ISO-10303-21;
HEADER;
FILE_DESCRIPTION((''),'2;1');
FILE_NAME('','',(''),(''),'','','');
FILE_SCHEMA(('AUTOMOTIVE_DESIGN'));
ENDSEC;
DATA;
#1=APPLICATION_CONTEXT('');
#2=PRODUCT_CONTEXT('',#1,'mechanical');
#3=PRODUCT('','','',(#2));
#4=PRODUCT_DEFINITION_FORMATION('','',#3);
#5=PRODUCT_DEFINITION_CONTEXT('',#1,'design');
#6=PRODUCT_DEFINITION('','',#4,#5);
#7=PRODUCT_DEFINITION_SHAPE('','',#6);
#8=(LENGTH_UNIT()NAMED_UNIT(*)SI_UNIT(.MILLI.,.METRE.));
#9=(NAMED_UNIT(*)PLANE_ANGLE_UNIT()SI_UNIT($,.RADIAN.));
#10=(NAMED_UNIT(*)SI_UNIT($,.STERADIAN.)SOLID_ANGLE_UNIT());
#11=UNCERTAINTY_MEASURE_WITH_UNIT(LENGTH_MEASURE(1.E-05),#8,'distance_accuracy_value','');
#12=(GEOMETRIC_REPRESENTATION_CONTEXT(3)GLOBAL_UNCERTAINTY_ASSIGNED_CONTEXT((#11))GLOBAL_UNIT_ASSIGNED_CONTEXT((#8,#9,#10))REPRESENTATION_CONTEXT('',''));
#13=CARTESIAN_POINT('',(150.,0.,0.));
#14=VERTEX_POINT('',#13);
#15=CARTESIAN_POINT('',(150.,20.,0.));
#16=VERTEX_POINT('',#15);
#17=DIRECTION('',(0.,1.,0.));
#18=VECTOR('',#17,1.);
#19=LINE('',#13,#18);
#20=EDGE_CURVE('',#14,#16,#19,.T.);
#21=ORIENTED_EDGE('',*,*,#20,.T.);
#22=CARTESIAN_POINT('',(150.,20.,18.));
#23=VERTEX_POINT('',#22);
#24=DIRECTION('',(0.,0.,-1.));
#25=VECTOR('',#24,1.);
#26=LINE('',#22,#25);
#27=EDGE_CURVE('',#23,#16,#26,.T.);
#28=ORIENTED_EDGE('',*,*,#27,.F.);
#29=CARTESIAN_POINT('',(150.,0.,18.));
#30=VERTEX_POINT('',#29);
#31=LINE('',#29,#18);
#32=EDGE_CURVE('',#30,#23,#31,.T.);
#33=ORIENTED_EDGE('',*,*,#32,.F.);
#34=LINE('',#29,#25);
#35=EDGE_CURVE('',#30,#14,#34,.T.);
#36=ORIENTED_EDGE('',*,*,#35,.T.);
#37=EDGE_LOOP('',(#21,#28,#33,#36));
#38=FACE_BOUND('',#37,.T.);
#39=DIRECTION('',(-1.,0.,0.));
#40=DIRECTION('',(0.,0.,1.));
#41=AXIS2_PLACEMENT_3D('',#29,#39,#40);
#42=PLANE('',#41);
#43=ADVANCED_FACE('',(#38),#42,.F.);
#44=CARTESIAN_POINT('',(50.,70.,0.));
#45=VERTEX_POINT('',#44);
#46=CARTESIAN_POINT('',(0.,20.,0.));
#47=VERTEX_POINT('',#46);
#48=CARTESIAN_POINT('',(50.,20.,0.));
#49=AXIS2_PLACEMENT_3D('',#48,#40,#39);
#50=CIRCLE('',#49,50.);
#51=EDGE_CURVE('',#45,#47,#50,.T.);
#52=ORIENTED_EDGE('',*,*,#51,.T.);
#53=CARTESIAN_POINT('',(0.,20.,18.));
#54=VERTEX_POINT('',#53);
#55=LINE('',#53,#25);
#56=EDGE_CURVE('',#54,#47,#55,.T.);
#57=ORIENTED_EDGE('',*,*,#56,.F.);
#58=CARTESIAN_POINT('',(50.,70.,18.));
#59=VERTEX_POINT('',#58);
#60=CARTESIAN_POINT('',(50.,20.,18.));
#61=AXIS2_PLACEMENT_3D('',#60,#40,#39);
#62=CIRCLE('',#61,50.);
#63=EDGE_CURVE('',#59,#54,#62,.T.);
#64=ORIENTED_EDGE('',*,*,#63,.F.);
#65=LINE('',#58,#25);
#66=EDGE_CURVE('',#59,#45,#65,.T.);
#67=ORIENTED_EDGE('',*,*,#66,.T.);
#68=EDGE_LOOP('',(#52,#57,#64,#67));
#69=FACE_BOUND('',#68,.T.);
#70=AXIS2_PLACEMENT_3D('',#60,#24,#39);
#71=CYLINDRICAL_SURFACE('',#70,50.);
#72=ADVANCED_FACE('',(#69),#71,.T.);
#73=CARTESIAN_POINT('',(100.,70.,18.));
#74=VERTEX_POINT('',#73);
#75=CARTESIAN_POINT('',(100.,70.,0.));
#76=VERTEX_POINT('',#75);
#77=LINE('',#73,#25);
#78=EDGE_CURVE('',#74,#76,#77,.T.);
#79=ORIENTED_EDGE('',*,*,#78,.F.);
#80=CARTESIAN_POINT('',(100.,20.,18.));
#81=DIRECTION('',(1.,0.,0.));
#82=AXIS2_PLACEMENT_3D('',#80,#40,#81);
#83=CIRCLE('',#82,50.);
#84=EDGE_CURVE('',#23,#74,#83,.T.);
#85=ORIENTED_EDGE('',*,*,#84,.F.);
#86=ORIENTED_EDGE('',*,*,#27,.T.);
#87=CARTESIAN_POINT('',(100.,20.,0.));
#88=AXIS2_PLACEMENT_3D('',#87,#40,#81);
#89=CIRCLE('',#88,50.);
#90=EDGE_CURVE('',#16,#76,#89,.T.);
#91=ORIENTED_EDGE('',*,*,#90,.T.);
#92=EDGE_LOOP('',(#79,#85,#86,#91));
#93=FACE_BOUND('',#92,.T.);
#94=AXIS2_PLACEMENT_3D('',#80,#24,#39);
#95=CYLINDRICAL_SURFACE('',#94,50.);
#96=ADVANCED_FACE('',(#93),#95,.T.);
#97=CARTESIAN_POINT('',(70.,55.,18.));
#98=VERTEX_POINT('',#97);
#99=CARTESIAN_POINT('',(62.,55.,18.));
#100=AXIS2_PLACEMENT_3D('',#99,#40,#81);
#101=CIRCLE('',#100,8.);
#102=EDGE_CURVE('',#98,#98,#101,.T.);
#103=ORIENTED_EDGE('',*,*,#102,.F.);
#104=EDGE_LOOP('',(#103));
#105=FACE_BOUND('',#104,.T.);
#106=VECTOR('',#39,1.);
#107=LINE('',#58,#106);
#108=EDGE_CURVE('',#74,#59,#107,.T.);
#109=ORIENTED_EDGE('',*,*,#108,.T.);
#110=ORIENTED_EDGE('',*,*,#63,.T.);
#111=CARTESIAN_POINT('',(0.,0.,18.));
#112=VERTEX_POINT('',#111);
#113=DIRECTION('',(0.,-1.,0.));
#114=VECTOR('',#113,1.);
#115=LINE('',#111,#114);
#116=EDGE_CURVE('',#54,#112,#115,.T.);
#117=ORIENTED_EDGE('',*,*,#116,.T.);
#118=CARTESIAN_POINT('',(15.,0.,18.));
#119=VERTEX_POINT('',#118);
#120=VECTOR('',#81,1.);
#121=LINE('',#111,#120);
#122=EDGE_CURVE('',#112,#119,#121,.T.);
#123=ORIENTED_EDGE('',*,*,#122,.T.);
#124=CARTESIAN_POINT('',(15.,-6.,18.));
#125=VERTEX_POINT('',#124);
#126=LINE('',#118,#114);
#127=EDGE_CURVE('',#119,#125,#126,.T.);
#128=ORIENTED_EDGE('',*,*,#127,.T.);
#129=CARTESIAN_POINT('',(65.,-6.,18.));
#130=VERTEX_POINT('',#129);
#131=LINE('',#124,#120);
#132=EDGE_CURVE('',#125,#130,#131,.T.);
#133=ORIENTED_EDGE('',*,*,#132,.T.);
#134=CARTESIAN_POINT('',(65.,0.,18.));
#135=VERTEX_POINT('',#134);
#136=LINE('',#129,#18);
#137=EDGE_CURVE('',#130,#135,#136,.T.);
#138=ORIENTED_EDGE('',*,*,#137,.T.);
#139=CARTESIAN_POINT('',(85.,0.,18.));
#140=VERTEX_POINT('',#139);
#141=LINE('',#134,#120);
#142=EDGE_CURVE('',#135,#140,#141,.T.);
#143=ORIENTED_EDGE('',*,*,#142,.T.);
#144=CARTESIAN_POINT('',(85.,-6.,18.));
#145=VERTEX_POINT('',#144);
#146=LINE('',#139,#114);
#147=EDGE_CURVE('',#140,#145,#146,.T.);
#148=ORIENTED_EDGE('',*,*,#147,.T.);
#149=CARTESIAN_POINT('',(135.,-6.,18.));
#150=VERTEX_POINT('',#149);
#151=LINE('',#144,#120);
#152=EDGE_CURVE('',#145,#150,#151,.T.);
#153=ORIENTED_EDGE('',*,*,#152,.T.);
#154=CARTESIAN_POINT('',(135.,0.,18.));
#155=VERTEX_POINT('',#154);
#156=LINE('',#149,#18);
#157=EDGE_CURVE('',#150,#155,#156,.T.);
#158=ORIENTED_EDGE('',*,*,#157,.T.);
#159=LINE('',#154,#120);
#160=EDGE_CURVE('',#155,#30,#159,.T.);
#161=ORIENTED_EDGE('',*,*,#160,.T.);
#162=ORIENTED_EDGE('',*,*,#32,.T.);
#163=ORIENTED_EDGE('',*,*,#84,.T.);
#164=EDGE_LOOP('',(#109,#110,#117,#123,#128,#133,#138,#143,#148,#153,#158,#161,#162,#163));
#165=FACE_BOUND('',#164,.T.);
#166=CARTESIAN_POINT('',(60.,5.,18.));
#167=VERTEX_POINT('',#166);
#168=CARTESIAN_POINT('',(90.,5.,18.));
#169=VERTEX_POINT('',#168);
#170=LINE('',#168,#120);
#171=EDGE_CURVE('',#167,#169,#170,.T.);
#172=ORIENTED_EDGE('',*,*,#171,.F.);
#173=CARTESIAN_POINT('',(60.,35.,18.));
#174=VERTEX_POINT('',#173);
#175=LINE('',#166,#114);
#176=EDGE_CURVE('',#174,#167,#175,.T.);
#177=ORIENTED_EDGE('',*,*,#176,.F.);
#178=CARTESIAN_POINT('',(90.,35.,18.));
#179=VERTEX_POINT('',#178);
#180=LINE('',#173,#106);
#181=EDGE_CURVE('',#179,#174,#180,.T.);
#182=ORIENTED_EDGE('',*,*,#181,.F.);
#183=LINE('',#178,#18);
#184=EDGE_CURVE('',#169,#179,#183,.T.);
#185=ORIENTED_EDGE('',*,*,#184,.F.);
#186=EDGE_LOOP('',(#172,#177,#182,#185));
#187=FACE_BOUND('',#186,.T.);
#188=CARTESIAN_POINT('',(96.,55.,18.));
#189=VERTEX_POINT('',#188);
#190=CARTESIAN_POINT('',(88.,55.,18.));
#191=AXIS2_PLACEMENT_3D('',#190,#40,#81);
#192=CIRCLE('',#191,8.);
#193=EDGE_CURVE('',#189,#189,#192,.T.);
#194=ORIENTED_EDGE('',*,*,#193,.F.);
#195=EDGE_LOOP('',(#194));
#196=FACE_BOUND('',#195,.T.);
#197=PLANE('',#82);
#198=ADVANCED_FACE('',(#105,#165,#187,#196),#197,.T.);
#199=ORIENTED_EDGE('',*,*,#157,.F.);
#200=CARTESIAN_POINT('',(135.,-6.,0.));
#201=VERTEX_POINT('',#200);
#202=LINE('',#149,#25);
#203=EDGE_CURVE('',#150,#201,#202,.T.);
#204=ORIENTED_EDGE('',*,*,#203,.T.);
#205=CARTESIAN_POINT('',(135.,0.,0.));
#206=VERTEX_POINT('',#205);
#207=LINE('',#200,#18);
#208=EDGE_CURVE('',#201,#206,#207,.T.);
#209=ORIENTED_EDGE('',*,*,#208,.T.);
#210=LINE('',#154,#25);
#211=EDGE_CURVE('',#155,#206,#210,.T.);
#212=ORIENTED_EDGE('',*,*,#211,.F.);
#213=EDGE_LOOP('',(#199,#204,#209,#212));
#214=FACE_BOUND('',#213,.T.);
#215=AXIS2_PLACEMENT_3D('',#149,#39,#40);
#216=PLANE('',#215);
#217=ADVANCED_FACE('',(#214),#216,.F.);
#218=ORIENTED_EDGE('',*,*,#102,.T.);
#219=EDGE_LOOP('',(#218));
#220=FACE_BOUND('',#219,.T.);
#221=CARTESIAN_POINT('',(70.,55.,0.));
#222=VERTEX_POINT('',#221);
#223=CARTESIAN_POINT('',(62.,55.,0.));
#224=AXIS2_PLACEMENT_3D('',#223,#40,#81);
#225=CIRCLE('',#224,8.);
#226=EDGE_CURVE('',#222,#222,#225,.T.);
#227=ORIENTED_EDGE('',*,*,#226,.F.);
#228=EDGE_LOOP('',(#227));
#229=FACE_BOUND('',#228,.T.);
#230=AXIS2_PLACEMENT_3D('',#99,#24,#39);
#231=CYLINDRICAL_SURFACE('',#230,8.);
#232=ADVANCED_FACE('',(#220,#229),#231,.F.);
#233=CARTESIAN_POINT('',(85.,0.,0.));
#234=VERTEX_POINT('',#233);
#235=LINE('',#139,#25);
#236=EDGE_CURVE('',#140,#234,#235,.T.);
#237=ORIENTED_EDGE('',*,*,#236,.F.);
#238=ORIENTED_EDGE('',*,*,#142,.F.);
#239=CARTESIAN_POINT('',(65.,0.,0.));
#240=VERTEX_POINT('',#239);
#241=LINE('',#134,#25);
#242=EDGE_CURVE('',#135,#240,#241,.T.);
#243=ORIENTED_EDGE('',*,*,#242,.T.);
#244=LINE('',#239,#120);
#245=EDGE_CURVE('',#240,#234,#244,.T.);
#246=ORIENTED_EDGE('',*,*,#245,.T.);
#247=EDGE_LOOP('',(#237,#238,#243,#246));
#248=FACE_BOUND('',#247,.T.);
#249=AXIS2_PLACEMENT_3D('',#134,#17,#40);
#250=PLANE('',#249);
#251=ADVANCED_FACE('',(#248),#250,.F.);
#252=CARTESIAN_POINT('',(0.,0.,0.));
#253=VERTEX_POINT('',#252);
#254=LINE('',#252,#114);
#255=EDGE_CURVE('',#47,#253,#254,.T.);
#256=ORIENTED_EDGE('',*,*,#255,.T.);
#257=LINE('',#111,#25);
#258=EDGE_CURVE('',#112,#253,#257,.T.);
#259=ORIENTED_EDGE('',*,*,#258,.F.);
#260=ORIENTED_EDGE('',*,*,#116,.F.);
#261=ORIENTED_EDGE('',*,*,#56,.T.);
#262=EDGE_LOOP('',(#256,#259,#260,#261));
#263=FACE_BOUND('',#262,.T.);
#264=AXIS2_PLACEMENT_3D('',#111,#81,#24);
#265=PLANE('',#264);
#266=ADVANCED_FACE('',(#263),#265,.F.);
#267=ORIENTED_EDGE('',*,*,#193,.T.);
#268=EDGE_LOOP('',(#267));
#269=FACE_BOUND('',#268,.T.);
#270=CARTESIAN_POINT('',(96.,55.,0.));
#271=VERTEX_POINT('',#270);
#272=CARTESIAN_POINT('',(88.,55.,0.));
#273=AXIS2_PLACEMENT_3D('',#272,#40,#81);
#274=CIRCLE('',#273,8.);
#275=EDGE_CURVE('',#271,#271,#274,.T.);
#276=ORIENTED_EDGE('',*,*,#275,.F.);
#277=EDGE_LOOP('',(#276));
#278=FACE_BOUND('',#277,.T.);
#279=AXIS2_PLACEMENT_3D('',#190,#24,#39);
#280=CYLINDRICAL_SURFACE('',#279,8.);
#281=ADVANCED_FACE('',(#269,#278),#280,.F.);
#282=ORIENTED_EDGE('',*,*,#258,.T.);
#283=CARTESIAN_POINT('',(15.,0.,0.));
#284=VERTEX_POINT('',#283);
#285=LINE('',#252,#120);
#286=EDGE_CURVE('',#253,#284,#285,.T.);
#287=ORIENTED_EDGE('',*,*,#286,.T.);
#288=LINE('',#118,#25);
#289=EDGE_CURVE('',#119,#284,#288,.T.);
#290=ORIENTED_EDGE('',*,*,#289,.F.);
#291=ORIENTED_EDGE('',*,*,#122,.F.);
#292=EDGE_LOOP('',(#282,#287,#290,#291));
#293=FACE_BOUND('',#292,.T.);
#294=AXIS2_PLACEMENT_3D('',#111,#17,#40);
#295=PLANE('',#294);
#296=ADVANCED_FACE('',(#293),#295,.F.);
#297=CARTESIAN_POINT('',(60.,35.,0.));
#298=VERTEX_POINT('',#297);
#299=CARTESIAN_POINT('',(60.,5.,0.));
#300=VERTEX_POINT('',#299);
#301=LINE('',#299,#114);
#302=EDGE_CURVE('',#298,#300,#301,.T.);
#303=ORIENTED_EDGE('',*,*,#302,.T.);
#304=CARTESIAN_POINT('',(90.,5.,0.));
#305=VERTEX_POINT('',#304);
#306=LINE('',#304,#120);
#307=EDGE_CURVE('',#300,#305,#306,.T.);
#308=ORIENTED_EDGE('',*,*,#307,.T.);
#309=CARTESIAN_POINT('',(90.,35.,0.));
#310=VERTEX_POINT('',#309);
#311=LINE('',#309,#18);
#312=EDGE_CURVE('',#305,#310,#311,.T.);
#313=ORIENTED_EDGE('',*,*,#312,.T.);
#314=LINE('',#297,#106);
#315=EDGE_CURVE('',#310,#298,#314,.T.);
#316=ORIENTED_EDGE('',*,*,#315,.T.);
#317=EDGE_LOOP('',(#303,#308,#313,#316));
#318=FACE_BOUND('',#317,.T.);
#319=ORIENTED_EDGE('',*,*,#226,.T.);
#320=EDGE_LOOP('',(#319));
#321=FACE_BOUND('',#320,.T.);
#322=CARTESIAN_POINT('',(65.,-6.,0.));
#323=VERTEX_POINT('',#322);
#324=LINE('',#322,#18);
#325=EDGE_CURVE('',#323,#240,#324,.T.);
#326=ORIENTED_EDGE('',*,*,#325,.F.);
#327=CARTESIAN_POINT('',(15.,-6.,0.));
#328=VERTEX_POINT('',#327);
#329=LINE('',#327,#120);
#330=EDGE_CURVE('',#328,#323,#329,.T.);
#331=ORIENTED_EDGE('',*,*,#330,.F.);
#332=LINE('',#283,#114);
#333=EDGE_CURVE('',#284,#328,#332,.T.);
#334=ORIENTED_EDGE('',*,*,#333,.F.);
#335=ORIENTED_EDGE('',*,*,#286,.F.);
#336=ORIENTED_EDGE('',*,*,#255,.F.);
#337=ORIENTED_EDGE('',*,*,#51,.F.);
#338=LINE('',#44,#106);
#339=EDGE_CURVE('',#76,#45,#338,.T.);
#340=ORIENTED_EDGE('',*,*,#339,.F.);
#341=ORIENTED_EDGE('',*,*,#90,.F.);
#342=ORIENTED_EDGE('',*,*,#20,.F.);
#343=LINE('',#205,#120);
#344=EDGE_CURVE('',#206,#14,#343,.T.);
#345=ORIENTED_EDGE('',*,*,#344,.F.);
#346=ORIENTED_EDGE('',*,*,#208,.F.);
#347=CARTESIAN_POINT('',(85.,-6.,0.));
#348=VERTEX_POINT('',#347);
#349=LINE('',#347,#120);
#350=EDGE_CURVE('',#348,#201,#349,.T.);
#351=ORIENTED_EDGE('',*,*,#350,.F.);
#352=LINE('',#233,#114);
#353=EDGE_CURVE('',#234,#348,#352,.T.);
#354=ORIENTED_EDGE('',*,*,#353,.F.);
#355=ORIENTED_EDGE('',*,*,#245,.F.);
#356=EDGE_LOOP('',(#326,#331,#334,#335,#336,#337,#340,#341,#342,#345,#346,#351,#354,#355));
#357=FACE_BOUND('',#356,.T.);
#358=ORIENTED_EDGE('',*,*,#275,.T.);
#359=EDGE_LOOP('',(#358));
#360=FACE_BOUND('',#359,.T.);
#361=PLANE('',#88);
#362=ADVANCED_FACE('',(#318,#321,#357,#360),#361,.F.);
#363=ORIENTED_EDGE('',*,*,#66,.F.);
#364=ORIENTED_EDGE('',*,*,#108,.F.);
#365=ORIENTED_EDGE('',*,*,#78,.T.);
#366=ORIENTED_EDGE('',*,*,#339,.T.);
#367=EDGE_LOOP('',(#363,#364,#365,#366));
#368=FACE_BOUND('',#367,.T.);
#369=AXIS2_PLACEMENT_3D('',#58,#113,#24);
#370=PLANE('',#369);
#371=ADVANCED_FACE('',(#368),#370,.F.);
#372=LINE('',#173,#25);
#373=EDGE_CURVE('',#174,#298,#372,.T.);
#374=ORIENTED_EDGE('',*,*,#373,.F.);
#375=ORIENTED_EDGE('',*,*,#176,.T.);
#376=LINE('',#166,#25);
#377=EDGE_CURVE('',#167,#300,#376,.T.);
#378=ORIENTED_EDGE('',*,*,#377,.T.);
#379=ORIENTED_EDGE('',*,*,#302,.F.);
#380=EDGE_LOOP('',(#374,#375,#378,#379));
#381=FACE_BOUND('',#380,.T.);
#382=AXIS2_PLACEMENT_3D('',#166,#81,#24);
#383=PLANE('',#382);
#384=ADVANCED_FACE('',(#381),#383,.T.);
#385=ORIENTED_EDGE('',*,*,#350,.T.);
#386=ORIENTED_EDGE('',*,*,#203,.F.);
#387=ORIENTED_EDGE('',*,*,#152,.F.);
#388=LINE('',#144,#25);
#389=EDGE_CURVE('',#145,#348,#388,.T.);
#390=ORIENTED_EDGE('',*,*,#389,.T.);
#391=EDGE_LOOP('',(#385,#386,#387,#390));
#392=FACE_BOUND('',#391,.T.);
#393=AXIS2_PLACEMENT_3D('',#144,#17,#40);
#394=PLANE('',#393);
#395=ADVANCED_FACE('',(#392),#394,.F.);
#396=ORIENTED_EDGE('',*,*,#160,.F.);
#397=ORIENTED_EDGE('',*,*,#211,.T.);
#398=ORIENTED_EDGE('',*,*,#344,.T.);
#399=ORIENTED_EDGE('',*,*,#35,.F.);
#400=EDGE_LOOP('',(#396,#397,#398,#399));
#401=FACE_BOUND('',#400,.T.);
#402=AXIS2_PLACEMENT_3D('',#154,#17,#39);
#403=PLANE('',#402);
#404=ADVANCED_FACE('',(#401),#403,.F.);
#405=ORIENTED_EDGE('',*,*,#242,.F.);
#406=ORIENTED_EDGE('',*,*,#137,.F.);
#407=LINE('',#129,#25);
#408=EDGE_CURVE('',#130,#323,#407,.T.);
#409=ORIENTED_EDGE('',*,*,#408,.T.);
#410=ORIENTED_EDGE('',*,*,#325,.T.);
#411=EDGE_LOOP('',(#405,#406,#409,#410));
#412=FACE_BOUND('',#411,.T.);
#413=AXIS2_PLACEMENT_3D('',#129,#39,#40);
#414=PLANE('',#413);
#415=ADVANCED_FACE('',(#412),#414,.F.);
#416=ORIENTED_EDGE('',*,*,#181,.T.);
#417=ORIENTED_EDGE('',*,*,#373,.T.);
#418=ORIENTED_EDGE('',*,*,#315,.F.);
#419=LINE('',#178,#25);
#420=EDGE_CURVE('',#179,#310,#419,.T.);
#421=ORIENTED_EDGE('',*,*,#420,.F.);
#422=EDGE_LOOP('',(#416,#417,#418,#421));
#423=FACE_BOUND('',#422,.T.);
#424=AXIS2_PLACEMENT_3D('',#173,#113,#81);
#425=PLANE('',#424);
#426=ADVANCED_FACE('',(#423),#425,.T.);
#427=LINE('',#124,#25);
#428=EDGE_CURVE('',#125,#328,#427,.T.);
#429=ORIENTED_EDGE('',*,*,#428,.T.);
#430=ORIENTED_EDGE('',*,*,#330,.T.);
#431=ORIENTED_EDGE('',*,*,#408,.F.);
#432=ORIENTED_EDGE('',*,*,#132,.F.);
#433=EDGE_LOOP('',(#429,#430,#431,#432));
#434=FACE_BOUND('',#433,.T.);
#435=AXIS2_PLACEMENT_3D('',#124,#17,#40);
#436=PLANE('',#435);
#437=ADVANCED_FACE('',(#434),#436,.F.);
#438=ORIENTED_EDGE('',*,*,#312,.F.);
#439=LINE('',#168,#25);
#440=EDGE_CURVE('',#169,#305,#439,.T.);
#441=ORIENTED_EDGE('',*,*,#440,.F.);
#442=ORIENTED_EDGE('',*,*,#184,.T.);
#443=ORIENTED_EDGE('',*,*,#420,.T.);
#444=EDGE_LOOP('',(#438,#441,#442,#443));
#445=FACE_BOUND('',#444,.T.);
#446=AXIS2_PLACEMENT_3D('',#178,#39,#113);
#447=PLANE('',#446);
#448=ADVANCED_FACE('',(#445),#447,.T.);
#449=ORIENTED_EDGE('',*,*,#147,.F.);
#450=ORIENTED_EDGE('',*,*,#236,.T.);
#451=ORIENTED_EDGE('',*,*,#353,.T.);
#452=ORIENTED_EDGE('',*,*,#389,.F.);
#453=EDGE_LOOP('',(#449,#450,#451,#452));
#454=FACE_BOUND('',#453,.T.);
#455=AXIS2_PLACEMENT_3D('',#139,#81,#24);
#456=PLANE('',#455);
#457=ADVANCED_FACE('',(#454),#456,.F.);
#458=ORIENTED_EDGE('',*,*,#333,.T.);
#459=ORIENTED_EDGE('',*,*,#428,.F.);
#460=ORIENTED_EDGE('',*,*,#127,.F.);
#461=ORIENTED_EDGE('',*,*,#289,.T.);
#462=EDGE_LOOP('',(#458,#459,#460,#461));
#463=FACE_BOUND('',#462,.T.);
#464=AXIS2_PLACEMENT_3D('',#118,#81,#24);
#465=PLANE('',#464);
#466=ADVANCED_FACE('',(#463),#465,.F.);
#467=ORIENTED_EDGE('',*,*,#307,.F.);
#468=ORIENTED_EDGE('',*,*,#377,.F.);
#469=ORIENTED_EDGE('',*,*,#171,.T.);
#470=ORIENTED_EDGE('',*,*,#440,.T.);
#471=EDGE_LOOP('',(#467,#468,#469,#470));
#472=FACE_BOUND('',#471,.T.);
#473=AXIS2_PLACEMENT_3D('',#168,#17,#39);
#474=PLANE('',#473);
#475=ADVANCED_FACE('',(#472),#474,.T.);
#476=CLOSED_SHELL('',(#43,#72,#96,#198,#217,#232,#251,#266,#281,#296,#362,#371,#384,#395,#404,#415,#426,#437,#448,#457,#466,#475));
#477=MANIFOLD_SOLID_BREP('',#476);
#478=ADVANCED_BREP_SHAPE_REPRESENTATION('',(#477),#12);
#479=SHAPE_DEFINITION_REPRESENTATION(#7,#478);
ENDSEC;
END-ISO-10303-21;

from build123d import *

# Parameters (mm, degrees)
ESQUISSE1_R        = 8
ESQUISSE1_W        = 30
ESQUISSE1_H        = 30
BOSS_EXTRU_1_DEPTH = 18


with BuildPart() as part:
    # Esquisse1 → Boss.-Extru.1 (new body)
    with BuildSketch(Plane.XY):
        with BuildLine():
            Line((0, 0), (0, 20))
            ThreePointArc((0, 20), (14.644660941, 55.355339059), (50, 70))
            Line((50, 70), (100, 70))
            ThreePointArc((100, 70), (135.355339059, 55.355339059), (150, 20))
            Line((150, 20), (150, 0))
            Line((150, 0), (135, 0))
            Line((135, 0), (135, -6))
            Line((135, -6), (85, -6))
            Line((85, -6), (85, 0))
            Line((85, 0), (65, 0))
            Line((65, 0), (65, -6))
            Line((65, -6), (15, -6))
            Line((15, -6), (15, 0))
            Line((15, 0), (0, 0))
        make_face()
        with Locations((62, 55)):
            Circle(ESQUISSE1_R, mode=Mode.SUBTRACT)
        with Locations((88, 55)):
            Circle(ESQUISSE1_R, mode=Mode.SUBTRACT)
        with Locations((75, 20)):
            Rectangle(ESQUISSE1_W, ESQUISSE1_H, mode=Mode.SUBTRACT)
    extrude(amount=BOSS_EXTRU_1_DEPTH)


solid = part.part
